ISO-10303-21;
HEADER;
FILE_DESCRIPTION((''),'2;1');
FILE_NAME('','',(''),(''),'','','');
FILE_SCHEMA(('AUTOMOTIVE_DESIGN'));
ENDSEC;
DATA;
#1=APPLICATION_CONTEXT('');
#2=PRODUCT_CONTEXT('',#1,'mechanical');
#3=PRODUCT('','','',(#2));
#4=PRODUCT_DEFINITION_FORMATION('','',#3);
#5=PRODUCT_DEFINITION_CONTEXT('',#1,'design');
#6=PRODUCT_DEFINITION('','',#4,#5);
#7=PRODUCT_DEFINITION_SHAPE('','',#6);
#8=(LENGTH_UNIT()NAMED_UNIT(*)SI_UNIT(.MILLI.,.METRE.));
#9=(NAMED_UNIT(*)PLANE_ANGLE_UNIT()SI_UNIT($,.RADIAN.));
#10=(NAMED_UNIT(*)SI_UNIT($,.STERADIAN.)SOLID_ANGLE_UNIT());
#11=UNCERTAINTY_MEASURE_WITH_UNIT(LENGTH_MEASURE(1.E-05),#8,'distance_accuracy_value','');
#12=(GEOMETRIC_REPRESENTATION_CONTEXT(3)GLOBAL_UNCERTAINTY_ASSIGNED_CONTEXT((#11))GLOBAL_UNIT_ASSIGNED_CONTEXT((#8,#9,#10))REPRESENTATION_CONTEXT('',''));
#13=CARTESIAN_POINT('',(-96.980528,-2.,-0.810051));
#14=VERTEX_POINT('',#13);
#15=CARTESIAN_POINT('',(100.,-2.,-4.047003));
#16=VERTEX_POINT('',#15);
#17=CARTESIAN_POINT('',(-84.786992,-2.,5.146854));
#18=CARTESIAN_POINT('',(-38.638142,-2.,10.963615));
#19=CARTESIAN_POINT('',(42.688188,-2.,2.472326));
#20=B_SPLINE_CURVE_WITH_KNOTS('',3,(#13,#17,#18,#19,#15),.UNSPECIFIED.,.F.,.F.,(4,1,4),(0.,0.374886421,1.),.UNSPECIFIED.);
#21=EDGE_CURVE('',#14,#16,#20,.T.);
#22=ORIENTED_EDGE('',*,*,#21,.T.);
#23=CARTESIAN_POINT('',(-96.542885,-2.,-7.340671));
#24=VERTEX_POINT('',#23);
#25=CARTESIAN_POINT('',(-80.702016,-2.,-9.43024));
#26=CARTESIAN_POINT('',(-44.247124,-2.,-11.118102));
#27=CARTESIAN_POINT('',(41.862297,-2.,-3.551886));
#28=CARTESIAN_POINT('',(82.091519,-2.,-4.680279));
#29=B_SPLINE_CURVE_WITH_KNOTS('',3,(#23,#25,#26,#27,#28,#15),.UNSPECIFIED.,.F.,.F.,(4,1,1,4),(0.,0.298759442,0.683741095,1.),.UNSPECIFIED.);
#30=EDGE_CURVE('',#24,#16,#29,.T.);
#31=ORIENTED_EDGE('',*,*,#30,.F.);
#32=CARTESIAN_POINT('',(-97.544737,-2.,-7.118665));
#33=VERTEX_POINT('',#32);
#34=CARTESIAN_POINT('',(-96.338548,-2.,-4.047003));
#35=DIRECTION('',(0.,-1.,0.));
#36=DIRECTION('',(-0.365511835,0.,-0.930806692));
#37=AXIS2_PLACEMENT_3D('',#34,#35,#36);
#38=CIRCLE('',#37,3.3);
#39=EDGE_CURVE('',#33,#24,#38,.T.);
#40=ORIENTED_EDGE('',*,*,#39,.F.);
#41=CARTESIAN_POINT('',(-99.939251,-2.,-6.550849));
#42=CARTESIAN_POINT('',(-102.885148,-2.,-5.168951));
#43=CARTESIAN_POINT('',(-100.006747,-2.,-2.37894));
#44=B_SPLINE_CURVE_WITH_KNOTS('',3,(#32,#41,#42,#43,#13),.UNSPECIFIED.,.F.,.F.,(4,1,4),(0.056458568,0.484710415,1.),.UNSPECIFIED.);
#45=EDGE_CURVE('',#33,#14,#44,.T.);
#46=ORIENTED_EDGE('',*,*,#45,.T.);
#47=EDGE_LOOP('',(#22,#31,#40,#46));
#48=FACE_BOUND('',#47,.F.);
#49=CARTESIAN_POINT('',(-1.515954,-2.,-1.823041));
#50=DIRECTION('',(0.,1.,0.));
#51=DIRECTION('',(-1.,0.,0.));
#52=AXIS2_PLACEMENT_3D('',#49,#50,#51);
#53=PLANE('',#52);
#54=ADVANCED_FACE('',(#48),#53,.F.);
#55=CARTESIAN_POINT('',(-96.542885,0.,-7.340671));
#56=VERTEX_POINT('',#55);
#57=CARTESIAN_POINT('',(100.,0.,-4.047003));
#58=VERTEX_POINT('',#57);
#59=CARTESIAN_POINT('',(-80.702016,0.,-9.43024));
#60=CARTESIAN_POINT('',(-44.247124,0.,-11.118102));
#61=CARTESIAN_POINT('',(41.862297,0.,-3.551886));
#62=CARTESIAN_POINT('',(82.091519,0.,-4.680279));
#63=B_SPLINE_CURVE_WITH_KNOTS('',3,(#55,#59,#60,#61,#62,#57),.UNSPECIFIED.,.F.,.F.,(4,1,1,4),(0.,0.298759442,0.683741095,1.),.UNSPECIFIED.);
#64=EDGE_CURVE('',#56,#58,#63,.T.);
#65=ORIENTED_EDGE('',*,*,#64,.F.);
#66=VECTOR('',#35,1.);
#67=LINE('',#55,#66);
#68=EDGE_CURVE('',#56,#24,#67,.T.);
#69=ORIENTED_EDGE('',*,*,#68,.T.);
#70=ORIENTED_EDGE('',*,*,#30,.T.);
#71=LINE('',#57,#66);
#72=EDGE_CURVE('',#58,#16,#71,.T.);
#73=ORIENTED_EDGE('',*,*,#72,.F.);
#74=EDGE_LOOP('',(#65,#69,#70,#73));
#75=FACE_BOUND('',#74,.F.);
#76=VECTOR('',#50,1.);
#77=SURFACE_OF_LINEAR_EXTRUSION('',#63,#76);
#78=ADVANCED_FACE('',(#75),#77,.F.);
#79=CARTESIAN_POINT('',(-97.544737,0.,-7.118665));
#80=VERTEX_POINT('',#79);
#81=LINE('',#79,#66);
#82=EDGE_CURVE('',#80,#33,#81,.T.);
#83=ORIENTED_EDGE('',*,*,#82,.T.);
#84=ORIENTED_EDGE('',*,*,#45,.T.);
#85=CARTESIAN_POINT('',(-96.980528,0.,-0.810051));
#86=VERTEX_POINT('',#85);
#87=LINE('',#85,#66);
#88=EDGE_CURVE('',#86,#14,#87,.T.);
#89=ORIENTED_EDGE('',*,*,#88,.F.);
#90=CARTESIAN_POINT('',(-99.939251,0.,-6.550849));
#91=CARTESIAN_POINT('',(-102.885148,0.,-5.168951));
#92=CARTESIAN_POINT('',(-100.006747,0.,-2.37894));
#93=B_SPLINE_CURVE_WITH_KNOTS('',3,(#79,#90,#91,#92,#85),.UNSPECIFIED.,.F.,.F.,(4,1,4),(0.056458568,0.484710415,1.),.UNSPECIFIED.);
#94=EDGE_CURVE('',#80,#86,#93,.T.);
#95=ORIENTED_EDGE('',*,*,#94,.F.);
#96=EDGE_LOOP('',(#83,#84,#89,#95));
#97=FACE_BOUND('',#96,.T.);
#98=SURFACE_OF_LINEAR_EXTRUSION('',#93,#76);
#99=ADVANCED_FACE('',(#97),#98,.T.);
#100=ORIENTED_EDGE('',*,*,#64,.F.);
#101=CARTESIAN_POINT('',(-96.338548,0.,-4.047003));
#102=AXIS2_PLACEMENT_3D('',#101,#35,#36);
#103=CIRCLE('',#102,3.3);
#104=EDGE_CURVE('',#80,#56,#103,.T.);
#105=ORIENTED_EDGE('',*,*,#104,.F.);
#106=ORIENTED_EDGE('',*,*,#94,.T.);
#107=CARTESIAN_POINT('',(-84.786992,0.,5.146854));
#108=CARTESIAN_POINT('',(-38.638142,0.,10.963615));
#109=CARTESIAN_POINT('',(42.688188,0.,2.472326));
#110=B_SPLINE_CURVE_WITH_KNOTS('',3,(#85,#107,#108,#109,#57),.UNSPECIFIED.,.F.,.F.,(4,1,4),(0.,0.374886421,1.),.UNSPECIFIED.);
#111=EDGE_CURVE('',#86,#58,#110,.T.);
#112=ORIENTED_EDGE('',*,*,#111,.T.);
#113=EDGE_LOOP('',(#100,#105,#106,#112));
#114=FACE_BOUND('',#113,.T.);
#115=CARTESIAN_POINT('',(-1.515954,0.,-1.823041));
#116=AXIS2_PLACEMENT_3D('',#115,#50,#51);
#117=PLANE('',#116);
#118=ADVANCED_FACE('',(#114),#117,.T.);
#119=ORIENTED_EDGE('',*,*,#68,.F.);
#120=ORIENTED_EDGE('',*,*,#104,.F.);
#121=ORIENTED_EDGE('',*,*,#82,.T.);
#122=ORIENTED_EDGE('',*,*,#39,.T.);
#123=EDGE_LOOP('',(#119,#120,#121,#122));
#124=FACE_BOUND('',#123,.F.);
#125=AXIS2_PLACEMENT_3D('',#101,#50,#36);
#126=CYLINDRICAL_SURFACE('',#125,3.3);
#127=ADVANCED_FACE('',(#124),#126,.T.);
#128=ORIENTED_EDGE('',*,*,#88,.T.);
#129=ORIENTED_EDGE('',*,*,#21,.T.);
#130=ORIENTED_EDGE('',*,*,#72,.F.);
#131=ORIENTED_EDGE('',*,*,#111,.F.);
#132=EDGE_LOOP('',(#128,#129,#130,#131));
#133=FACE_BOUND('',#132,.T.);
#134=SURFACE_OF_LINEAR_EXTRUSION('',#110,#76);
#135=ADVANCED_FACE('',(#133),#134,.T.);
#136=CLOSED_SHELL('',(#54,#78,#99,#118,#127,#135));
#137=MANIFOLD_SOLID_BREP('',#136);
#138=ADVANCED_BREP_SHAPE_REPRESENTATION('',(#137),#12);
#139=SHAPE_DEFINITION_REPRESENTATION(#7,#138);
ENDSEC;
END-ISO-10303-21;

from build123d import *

# Parameters (mm, degrees)
F1_DEPTH = 2


with BuildPart() as f1:
    # F0 (on Front) → F1 (new body)
    with BuildSketch(Plane.XZ):
        with BuildLine():
            add(Edge.make_bspline(
                [(-96.9805282175, -0.8100506688), (-84.7869920978, 5.1468541776), (-38.6381415733, 10.9636146396), (42.6881882799, 2.4723259958), (100, -4.047003109)],
                knots=[0, 0, 0, 0, 0.374886421, 1, 1, 1, 1], degree=3))
            add(Edge.make_bspline(
                [(-97.5447368223, -7.1186651935), (-99.939251346, -6.5508492693), (-102.885147974, -5.168950634), (-100.0067471137, -2.3789404522), (-96.9805282175, -0.8100506688)],
                knots=[0.0564585679, 0.0564585679, 0.0564585679, 0.0564585679, 0.4847104148, 1, 1, 1, 1], degree=3))
            add(Edge.make_bspline(
                [(-96.5428845142, -7.3406707446), (-96.8949965543, -7.2673488468), (-97.22905608, -7.1935231869), (-97.5447368223, -7.1186651935)],
                knots=[0, 0, 0, 0, 0.0564585679, 0.0564585679, 0.0564585679, 0.0564585679], degree=3))
            add(Edge.make_bspline(
                [(-96.5428845142, -7.3406707446), (-80.7020161693, -9.4302402111), (-44.2471235075, -11.1181020976), (41.8622965332, -3.5518856086), (82.0915186506, -4.6802794425), (100, -4.047003109)],
                knots=[0, 0, 0, 0, 0.2987594418, 0.6837410955, 1, 1, 1, 1], degree=3))
        make_face()
        with BuildLine():
            add(Edge.make_bspline(
                [(-96.5428845142, -7.3406707446), (-96.8949965543, -7.2673488468), (-97.22905608, -7.1935231869), (-97.5447368223, -7.1186651935)],
                knots=[0, 0, 0, 0, 0.0564585679, 0.0564585679, 0.0564585679, 0.0564585679], degree=3))
            ThreePointArc((-97.5447368223, -7.1186651935), (-97.052492706, -7.2688477084), (-96.5428845142, -7.3406707446))
        make_face()
    extrude(amount=F1_DEPTH)


solid = f1.part
